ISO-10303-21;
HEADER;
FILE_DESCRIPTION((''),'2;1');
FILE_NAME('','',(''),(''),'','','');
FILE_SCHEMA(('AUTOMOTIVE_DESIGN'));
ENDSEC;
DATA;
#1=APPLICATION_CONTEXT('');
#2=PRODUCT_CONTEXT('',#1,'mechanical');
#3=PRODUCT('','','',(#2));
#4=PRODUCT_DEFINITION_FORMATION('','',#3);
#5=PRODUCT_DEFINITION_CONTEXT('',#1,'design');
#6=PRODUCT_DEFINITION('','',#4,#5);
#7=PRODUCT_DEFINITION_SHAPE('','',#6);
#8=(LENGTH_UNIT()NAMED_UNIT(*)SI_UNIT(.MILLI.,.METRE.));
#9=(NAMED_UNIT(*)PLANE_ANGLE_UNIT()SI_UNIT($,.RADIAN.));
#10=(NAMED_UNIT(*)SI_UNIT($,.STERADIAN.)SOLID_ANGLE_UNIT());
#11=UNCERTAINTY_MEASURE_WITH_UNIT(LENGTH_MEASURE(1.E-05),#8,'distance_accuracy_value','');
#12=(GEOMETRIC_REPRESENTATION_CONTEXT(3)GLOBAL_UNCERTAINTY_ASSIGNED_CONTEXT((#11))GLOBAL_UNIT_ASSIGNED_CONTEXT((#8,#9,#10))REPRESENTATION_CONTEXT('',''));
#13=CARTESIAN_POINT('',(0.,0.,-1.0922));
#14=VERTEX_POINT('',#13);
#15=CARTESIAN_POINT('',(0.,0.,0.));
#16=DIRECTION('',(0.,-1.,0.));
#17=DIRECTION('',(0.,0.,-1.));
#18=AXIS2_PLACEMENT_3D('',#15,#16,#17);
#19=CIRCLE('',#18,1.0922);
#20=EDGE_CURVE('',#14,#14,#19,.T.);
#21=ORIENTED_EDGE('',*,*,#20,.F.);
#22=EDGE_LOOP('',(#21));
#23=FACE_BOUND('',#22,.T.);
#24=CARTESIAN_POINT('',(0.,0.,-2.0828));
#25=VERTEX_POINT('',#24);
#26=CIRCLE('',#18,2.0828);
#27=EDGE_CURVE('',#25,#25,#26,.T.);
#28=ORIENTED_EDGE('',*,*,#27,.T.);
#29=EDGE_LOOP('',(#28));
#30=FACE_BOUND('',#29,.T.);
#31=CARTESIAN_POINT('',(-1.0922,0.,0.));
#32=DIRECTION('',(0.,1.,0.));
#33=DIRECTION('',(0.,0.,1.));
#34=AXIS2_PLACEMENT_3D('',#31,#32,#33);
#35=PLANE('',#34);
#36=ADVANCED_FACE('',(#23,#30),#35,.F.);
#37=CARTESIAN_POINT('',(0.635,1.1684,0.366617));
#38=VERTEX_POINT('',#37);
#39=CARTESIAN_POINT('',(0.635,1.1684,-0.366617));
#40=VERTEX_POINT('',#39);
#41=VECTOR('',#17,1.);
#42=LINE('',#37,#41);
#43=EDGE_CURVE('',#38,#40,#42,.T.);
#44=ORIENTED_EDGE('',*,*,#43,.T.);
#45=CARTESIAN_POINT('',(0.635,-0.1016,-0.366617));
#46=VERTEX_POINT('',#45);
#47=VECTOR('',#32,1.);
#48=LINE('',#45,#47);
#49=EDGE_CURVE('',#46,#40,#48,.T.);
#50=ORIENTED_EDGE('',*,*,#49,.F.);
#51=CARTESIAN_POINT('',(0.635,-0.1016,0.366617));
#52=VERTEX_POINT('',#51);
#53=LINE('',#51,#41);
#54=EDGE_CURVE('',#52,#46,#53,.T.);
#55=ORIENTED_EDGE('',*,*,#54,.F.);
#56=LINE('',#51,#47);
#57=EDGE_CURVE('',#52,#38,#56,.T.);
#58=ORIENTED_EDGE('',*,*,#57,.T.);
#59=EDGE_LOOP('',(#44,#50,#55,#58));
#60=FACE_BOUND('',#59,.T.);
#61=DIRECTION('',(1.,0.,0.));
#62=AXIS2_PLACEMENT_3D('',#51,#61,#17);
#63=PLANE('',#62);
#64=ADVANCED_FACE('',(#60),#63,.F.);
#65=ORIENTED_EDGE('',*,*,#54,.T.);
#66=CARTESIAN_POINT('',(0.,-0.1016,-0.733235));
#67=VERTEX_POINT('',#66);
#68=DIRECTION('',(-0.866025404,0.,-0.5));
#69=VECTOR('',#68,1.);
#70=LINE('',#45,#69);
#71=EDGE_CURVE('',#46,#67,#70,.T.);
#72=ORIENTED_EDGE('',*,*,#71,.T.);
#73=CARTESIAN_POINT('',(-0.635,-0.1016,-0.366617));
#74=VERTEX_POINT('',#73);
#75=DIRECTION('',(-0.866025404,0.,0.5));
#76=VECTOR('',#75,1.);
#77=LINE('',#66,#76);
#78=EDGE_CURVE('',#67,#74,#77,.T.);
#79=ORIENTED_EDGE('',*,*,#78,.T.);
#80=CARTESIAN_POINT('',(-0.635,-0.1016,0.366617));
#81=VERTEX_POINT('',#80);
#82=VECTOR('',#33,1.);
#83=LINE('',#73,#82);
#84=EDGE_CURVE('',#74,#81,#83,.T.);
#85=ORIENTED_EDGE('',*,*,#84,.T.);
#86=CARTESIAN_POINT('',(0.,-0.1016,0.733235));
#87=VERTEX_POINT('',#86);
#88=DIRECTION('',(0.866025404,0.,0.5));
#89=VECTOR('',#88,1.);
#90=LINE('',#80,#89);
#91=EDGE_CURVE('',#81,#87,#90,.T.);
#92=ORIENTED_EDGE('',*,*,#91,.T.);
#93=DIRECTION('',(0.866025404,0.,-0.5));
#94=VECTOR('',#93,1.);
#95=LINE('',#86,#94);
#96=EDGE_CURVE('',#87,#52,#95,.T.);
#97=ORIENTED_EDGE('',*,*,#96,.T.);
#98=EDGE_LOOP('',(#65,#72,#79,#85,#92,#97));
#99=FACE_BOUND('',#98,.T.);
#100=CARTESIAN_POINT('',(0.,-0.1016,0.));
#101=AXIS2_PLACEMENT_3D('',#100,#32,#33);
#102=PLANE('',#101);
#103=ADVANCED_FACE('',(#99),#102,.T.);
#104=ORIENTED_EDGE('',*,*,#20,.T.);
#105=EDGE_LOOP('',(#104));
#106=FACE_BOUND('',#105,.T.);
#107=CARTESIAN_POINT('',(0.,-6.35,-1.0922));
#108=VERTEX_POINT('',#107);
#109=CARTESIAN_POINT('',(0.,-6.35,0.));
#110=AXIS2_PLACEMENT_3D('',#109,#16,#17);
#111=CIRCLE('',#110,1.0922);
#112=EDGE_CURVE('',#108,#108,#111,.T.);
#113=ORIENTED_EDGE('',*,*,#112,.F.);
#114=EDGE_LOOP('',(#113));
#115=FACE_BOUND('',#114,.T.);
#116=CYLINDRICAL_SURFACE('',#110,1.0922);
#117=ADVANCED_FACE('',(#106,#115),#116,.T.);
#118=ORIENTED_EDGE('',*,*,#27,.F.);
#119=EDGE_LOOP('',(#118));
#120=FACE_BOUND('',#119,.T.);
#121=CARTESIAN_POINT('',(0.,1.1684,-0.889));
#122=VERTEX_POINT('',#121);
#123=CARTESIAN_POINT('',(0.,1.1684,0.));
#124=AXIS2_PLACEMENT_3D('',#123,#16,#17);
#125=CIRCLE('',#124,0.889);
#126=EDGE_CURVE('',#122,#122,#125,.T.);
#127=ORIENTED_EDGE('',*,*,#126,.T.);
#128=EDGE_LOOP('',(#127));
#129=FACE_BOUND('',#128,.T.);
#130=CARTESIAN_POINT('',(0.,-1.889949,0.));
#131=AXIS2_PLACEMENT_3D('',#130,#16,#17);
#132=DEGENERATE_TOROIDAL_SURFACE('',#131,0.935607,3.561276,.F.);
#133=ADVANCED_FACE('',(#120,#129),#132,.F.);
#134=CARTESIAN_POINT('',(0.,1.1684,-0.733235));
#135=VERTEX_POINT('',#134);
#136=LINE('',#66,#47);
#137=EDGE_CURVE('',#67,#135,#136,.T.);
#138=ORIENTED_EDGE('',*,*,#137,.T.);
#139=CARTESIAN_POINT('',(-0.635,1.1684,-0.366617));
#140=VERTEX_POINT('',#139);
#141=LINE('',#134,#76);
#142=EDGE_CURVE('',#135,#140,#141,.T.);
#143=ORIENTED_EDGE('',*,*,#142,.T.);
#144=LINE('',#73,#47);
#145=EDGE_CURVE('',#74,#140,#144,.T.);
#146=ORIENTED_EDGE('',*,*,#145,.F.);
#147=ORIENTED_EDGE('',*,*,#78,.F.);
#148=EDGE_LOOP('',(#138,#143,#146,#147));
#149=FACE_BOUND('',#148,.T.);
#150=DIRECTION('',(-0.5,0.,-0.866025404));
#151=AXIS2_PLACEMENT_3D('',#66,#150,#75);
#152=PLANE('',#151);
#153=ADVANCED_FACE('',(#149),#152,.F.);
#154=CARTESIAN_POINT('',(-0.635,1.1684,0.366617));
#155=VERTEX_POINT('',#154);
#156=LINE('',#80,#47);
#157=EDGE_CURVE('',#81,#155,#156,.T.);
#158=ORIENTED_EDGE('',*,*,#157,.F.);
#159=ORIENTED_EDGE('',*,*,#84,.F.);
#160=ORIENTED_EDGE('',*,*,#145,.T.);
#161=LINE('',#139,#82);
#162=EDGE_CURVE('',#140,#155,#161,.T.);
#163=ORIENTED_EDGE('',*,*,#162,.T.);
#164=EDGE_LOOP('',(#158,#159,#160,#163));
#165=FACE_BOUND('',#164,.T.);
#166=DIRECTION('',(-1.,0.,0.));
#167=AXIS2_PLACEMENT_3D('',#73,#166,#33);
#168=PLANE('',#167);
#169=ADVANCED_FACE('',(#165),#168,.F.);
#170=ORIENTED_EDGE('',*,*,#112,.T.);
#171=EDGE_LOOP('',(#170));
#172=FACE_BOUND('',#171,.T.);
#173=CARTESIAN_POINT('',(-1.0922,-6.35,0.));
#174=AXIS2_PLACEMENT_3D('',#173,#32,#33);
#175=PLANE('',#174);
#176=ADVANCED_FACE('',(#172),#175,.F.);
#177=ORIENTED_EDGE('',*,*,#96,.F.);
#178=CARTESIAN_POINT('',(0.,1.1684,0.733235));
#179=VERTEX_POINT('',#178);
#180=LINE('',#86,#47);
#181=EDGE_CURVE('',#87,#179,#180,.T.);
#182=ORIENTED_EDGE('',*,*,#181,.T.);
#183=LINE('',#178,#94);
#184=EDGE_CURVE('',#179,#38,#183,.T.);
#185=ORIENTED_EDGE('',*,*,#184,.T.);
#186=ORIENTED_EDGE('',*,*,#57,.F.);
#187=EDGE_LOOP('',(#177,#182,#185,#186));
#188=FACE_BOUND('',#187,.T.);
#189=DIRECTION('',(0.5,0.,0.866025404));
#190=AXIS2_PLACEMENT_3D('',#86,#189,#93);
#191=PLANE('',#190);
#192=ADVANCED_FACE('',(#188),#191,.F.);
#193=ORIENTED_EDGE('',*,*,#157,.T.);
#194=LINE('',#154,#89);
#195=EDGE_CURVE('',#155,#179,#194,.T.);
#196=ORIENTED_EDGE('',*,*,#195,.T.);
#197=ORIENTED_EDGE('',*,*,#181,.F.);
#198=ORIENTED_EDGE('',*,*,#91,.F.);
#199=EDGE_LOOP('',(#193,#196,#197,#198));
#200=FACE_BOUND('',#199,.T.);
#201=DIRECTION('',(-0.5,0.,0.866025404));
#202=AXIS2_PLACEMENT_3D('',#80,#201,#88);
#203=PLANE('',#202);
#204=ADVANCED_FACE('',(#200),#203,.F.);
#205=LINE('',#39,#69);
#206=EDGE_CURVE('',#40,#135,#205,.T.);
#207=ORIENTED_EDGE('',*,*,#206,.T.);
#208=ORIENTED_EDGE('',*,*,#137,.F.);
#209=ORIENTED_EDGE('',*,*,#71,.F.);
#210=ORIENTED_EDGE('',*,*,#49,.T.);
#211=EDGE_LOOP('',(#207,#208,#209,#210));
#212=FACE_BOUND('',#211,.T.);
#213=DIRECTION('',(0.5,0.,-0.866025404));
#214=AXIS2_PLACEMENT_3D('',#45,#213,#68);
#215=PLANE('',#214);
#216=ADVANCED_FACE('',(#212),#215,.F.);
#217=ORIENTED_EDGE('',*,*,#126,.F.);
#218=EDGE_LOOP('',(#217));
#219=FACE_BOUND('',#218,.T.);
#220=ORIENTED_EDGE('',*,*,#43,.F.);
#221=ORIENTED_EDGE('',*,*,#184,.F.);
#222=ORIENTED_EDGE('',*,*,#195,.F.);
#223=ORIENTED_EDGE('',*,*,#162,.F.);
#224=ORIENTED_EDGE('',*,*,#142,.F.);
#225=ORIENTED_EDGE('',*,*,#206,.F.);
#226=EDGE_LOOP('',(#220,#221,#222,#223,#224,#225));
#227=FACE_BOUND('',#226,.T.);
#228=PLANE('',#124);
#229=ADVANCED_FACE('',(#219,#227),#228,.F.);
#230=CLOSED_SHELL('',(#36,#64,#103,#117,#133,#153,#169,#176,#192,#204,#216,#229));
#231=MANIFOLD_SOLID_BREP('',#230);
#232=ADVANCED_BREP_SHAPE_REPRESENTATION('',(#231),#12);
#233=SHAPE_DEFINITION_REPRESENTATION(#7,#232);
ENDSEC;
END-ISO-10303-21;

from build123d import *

# Parameters (mm, degrees)
CUT_EXTRUDE1_DEPTH = 1.27


with BuildPart() as part:
    # Sketch1 → Revolve1 (revolve)
    with BuildSketch(Plane.XY):
        with BuildLine():
            Line((-1.0922, 0), (-2.0828, 0))
            ThreePointArc((-2.0828, 0), (-1.555373888, 0.65518419), (-0.889, 1.1684))
            Line((-0.889, 1.1684), (0, 1.1684))
            Line((0, 1.1684), (0, -6.35))
            Line((0, -6.35), (-1.0922, -6.35))
            Line((-1.0922, -6.35), (-1.0922, 0))
        make_face()
    revolve(axis=Axis((0, -6.35, 0), (0, 1, 0)))

    # Sketch2 → Cut-Extrude1 (cut)
    with BuildSketch(Plane(origin=(0, 1.1684, 0), x_dir=(1, 0, 0), z_dir=(0, 1, 0))):
        Polygon((-0.635, 0.366617421), (-0.635, -0.366617421), (0, -0.733234842), (0.635, -0.366617421), (0.635, 0.366617421), (0, 0.733234842), align=None)
    extrude(amount=-CUT_EXTRUDE1_DEPTH, mode=Mode.SUBTRACT)


solid = part.part
